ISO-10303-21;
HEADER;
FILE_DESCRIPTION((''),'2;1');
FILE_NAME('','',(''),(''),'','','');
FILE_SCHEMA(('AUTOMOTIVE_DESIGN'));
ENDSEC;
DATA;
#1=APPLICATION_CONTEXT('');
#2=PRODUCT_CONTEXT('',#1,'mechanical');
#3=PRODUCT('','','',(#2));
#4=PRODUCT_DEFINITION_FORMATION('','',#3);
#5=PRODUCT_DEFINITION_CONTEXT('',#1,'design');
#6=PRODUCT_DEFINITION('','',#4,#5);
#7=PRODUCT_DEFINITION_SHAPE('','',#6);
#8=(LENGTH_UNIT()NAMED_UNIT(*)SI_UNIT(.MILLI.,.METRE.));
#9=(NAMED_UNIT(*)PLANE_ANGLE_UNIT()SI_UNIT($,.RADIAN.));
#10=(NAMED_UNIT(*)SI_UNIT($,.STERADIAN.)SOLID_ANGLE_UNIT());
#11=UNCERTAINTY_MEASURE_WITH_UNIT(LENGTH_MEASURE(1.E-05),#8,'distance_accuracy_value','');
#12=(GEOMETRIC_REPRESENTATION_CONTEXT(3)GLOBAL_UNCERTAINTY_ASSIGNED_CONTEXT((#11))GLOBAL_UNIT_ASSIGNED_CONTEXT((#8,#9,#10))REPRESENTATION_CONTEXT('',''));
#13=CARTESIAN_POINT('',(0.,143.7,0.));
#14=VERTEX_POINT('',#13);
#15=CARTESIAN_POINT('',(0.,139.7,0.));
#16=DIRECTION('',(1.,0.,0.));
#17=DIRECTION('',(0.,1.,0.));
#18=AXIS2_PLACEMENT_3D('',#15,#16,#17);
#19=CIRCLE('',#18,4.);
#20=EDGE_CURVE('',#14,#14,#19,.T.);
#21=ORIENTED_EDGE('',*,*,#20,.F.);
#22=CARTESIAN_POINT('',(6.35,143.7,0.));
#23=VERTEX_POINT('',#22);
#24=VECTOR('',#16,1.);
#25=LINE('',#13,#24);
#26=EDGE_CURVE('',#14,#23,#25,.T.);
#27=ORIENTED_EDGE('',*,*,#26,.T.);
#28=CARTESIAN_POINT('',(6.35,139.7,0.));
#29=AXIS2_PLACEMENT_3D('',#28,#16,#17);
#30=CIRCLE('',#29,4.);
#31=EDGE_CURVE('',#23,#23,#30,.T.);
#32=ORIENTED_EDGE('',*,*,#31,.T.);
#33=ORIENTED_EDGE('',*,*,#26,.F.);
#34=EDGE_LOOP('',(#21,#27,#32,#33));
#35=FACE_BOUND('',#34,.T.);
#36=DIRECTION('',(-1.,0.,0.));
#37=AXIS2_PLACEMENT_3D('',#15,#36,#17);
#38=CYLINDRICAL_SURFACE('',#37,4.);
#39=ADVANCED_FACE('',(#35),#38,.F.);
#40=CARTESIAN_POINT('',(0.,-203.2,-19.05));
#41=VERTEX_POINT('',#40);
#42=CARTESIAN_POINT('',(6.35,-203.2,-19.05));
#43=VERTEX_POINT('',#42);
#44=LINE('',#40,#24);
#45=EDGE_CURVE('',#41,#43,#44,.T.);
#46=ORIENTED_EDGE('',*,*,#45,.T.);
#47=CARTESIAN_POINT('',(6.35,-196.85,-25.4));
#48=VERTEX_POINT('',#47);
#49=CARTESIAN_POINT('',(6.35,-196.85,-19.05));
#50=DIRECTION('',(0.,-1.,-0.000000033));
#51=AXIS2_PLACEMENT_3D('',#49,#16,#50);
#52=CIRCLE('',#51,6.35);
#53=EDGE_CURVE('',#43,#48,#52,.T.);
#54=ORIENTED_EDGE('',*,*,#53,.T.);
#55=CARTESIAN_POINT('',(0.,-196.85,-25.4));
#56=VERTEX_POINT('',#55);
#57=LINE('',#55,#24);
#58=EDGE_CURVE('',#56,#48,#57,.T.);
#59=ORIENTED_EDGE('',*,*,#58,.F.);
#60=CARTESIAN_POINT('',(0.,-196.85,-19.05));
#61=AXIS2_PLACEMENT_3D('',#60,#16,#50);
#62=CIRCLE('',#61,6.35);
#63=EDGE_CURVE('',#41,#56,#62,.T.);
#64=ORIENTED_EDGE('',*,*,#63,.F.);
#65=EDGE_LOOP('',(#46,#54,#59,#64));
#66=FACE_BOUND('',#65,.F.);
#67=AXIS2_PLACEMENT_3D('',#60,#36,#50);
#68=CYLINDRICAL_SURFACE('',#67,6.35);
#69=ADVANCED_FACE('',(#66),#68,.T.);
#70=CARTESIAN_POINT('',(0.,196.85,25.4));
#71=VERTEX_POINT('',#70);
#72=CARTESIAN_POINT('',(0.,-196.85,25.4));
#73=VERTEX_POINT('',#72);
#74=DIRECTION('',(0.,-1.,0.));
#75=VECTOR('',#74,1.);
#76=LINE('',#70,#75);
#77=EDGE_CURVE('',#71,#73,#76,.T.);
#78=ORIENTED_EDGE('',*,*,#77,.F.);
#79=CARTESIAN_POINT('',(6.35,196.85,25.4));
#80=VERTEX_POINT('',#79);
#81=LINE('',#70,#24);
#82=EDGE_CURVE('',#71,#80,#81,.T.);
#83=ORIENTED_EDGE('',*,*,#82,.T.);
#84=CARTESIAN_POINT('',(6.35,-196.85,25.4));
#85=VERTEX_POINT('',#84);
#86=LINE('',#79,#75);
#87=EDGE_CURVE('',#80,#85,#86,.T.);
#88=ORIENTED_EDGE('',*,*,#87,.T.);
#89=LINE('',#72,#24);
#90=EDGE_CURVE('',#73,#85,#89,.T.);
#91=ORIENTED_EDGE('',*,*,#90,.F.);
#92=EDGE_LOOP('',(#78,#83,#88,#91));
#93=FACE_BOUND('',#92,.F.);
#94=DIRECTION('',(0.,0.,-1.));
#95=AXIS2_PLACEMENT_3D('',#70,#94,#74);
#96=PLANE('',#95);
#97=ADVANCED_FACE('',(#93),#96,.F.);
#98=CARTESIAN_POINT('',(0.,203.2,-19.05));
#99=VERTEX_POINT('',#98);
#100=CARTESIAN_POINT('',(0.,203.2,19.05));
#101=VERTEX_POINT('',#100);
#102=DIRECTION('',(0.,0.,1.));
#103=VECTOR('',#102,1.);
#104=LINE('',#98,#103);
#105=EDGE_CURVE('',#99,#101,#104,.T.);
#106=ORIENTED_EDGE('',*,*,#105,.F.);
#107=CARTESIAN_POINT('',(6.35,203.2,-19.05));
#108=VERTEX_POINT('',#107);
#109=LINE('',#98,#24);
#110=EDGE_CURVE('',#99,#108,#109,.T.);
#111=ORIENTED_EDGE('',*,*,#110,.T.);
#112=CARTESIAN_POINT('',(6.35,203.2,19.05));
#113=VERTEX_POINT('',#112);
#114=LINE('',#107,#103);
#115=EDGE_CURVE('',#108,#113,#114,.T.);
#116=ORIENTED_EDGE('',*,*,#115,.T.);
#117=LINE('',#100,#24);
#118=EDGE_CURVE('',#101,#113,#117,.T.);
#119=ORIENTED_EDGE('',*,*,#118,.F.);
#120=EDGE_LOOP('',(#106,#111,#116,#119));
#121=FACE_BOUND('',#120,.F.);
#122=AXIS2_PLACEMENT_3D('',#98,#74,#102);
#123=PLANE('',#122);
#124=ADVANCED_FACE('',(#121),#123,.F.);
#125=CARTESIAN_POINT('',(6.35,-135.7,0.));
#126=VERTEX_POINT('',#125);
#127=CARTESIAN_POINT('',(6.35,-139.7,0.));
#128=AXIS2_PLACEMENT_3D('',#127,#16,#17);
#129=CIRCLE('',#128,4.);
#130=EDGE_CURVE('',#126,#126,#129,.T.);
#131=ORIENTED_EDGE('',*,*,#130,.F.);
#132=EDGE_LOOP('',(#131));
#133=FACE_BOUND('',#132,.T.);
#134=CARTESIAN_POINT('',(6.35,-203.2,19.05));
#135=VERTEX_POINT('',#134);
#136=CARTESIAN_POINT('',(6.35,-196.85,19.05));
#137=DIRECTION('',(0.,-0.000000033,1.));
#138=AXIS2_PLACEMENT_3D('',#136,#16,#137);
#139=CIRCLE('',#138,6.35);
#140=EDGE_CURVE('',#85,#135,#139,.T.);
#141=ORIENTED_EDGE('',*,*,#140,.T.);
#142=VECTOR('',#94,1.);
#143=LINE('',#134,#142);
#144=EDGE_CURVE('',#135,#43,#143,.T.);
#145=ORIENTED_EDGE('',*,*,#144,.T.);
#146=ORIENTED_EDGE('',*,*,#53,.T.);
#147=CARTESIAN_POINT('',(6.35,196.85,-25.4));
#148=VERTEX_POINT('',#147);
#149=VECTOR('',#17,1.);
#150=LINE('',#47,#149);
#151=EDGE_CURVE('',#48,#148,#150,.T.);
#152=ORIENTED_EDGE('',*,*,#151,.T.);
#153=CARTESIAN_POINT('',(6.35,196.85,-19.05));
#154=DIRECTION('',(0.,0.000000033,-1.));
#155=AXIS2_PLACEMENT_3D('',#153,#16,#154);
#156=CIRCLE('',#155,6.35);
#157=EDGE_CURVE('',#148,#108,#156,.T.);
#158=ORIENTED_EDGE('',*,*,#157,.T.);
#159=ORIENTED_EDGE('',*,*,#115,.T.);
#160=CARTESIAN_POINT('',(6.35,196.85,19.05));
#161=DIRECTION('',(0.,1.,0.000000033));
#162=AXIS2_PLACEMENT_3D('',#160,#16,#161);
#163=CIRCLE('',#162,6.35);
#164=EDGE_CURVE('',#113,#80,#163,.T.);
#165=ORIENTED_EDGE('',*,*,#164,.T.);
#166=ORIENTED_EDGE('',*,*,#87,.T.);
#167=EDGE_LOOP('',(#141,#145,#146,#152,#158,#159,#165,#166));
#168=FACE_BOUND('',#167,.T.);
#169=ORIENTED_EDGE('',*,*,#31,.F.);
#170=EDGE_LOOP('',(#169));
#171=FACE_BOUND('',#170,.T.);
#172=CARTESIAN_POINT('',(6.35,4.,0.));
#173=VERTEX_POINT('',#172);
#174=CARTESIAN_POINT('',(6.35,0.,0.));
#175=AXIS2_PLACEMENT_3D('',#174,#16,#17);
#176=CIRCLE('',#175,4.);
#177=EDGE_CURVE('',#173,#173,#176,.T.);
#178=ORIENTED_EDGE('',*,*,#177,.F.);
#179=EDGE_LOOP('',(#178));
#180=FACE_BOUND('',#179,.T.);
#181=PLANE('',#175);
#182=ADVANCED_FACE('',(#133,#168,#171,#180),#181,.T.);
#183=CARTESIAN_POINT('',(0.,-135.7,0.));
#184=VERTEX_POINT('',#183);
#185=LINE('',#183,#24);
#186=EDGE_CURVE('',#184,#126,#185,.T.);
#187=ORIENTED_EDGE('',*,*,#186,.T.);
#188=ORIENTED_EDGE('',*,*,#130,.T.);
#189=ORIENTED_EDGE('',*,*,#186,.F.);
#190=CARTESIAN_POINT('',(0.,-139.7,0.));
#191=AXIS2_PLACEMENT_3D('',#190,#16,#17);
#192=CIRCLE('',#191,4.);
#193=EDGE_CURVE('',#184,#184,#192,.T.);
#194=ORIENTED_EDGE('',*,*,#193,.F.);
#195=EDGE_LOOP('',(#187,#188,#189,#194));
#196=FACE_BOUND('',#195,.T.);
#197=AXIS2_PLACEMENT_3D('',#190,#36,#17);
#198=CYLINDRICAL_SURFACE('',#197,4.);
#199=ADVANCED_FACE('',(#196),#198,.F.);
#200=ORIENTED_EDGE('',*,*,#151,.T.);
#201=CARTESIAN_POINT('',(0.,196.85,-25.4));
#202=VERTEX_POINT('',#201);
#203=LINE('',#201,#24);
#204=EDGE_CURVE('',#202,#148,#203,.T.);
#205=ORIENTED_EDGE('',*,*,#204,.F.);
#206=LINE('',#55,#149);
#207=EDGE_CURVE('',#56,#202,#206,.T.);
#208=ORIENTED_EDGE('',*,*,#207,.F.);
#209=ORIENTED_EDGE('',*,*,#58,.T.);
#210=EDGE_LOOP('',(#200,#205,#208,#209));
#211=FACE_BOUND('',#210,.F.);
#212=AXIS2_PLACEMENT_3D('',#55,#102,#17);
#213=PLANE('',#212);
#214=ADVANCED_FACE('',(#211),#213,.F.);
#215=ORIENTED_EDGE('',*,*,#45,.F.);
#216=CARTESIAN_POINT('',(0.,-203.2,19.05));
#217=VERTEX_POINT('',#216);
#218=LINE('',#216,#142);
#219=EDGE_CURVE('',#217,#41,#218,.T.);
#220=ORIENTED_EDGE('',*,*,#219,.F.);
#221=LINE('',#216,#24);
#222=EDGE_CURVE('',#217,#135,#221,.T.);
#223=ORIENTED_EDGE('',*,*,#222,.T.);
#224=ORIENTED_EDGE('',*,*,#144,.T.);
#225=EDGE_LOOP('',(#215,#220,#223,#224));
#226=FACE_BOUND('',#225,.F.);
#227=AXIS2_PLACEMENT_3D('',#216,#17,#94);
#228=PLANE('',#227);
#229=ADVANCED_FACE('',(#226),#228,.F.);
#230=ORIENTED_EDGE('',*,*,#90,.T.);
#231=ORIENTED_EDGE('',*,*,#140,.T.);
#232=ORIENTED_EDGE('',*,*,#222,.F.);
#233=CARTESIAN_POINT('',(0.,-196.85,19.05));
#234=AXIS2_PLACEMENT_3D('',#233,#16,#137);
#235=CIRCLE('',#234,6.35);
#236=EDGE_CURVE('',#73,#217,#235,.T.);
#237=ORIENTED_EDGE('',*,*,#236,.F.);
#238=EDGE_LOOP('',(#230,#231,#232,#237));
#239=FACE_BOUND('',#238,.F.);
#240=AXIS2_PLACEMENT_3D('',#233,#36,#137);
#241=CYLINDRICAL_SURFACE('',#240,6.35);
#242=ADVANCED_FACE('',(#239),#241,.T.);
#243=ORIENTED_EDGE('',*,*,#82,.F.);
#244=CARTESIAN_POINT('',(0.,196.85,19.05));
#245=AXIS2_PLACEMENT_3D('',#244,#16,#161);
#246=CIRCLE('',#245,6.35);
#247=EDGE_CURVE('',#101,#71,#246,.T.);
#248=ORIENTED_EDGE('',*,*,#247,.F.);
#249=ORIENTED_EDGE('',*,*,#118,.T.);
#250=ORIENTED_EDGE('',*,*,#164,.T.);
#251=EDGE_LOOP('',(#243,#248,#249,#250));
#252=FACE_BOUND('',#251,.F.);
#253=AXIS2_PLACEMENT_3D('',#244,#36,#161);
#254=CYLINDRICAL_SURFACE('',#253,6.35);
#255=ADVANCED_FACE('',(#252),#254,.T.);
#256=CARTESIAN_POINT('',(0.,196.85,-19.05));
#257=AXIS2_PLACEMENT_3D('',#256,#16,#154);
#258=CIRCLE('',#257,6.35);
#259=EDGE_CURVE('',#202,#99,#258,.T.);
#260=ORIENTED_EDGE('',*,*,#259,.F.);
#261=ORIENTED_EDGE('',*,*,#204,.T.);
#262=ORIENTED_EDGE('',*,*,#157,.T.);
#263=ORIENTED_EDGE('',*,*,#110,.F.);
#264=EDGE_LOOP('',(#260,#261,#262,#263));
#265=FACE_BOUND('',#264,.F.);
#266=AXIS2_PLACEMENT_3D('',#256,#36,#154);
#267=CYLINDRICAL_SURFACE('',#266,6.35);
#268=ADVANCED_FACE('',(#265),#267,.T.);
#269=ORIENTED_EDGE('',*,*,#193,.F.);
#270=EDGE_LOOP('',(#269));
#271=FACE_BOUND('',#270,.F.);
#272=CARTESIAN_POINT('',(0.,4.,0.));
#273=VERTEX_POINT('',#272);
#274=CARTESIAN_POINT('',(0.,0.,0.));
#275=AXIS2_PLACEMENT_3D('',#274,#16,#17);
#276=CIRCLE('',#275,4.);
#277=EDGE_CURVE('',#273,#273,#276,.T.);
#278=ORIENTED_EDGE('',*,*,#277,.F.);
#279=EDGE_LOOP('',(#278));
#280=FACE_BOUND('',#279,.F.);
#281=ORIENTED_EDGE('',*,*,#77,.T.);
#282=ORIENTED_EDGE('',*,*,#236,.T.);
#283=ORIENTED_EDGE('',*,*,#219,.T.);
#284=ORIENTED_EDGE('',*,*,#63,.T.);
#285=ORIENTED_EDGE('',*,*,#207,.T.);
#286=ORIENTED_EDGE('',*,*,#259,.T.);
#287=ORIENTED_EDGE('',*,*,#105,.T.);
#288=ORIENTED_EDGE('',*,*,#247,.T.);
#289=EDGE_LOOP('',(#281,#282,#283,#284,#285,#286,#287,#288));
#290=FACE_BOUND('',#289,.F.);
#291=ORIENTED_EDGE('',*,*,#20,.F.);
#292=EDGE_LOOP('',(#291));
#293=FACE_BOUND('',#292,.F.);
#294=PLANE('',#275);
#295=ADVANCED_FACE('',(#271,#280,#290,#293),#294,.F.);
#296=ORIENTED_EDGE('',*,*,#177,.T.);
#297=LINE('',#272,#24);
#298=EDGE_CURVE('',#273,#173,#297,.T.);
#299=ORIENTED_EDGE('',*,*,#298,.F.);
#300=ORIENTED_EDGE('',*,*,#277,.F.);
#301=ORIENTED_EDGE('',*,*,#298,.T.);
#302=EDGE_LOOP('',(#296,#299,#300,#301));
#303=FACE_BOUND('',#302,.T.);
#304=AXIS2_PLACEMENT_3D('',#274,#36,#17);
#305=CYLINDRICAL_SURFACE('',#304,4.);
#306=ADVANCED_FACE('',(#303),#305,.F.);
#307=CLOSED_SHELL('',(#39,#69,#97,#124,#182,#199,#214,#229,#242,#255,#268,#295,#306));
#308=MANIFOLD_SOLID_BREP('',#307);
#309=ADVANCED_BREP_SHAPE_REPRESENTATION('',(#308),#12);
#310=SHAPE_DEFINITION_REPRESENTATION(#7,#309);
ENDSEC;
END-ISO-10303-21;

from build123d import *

# Parameters (mm, degrees)
F0_R     = 4
F1_DEPTH = 6.35


with BuildPart() as f1:
    # F0 (on Right) → F1 (new body)
    with BuildSketch(Plane.YZ):
        with BuildLine():
            ThreePointArc((203.2, 19.05), (201.340128, 23.540128), (196.85, 25.4))
            Line((196.85, 25.4), (-196.85, 25.4))
            ThreePointArc((-196.85, 25.4), (-201.340128, 23.540128), (-203.2, 19.05))
            Line((-203.2, 19.05), (-203.2, -19.05))
            ThreePointArc((-203.2, -19.05), (-201.340128, -23.540128), (-196.85, -25.4))
            Line((-196.85, -25.4), (196.85, -25.4))
            ThreePointArc((196.85, -25.4), (201.340128, -23.540128), (203.2, -19.05))
            Line((203.2, -19.05), (203.2, 19.05))
        make_face()
        with Locations((-139.7, 0)):
            Circle(F0_R, mode=Mode.SUBTRACT)
        Circle(F0_R, mode=Mode.SUBTRACT)
        with Locations((139.7, 0)):
            Circle(F0_R, mode=Mode.SUBTRACT)
    extrude(amount=F1_DEPTH)


solid = f1.part
